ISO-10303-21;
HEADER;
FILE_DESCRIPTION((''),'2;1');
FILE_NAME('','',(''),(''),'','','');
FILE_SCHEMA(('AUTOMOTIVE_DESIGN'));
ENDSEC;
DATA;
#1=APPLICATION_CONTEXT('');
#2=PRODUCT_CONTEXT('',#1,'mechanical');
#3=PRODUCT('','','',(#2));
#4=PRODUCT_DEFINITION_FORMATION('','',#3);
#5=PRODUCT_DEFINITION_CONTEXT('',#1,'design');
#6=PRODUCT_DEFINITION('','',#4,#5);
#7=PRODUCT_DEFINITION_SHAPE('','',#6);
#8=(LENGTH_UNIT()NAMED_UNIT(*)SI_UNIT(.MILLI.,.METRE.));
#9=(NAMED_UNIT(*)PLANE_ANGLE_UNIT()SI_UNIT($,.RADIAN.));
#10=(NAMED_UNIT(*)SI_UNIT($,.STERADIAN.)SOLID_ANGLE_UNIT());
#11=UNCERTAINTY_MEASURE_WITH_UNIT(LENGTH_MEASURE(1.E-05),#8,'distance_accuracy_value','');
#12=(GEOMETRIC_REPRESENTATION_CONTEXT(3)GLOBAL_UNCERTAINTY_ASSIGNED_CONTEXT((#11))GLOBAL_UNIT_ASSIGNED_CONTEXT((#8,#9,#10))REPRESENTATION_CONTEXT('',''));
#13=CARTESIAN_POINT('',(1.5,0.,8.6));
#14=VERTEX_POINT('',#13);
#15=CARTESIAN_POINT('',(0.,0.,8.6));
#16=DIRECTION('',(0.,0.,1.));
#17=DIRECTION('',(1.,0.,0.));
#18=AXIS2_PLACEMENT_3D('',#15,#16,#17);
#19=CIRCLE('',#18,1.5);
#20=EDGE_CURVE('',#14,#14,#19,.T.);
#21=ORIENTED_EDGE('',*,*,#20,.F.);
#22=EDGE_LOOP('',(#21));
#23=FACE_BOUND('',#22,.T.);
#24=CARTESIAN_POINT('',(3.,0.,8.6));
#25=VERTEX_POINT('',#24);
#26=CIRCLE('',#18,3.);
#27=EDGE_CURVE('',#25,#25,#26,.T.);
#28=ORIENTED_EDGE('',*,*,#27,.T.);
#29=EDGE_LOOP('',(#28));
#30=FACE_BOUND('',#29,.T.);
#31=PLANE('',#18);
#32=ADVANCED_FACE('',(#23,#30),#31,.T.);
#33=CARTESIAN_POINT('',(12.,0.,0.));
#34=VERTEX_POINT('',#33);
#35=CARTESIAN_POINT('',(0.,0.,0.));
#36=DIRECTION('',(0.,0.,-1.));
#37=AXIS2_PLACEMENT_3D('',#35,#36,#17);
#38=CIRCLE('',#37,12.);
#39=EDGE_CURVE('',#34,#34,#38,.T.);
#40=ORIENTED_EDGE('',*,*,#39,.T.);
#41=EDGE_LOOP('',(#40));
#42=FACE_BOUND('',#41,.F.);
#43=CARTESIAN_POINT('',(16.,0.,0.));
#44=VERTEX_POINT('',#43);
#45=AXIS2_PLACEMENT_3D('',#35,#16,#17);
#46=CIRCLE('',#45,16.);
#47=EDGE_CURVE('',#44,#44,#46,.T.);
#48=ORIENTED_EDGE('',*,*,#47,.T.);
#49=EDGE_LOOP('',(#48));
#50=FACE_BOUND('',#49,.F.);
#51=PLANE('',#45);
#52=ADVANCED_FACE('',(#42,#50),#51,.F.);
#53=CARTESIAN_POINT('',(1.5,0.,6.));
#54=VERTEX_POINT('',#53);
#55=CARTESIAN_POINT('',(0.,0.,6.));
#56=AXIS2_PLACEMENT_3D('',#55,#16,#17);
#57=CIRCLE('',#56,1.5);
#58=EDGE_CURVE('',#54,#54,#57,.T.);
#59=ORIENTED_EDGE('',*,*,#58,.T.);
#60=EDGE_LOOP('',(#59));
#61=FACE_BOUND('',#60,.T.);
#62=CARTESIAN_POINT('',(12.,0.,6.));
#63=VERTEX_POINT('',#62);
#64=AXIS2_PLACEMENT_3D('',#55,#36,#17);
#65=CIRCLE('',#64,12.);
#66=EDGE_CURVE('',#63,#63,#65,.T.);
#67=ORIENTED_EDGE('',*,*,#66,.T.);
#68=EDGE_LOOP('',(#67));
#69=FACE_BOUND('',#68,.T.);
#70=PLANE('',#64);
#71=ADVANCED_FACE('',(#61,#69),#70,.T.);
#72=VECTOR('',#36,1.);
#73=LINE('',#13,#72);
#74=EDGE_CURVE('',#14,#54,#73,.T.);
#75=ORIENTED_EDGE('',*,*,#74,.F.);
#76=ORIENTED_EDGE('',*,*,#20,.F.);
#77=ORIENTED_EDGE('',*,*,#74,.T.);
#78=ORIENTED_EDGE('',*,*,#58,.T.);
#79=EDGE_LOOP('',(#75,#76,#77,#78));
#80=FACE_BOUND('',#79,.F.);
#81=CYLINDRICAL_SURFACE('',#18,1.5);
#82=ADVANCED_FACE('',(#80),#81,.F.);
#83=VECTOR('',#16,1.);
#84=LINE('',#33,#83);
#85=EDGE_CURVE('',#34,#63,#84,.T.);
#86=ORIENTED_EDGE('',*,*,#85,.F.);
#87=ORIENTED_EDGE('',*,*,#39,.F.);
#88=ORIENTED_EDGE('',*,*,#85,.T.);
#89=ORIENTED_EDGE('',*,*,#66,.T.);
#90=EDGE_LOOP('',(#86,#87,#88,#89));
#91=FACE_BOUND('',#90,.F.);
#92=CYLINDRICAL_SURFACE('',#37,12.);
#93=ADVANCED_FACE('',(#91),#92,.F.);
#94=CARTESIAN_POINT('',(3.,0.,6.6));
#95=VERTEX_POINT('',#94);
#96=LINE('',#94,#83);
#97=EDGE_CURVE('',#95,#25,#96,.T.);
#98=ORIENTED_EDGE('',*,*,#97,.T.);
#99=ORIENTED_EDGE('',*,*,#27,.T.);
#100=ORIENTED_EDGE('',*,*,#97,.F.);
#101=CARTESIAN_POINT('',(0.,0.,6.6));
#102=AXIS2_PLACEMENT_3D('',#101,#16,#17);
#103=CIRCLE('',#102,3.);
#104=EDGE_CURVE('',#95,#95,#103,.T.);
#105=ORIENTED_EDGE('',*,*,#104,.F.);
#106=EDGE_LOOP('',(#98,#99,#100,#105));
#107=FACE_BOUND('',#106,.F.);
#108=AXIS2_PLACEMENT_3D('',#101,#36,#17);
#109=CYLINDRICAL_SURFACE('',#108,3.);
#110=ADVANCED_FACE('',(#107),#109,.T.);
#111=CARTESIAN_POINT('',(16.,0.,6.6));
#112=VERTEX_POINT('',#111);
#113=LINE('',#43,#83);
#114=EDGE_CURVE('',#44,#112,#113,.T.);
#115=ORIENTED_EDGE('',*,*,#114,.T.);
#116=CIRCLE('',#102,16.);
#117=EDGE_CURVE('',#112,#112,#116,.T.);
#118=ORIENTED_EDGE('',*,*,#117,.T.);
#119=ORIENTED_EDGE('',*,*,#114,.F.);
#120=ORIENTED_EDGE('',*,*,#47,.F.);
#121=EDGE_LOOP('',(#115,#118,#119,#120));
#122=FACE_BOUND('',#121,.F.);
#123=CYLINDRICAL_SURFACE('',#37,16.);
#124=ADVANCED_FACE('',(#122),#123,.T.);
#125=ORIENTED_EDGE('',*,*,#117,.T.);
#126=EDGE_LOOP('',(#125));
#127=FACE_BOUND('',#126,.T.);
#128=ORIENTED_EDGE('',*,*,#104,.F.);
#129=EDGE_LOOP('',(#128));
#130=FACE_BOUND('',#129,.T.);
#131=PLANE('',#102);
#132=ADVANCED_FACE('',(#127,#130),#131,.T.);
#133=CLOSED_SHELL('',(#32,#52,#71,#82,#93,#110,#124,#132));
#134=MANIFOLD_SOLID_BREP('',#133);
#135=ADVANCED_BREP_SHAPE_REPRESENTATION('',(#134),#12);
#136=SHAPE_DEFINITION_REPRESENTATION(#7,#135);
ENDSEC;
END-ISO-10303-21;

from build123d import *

# Parameters (mm, degrees)
F0_R     = 16
F1_DEPTH = 6.6
F2_R     = 3
F3_DEPTH = 2
F4_R     = 1.5
F5_DEPTH = 8.601
F6_R     = 12
F7_DEPTH = 6


with BuildPart() as f1:
    # F0 (on Top) → F1 (new body)
    with BuildSketch(Plane.XY):
        Circle(F0_R)
    extrude(amount=F1_DEPTH)

    # F2 (on face) → F3 (join)
    with BuildSketch(Plane.XY.offset(6.6)):
        Circle(F2_R)
    extrude(amount=F3_DEPTH)

    # F4 (on face) → F5 (cut, through all)
    with BuildSketch(Plane.XY.offset(8.6)):
        Circle(F4_R)
    extrude(amount=-F5_DEPTH, mode=Mode.SUBTRACT)

    # F6 (on face) → F7 (cut)
    with BuildSketch(Plane(origin=(0, 0, 0), x_dir=(1, 0, 0), z_dir=(0, 0, -1))):
        Circle(F6_R)
    extrude(amount=-F7_DEPTH, mode=Mode.SUBTRACT)


solid = f1.part
